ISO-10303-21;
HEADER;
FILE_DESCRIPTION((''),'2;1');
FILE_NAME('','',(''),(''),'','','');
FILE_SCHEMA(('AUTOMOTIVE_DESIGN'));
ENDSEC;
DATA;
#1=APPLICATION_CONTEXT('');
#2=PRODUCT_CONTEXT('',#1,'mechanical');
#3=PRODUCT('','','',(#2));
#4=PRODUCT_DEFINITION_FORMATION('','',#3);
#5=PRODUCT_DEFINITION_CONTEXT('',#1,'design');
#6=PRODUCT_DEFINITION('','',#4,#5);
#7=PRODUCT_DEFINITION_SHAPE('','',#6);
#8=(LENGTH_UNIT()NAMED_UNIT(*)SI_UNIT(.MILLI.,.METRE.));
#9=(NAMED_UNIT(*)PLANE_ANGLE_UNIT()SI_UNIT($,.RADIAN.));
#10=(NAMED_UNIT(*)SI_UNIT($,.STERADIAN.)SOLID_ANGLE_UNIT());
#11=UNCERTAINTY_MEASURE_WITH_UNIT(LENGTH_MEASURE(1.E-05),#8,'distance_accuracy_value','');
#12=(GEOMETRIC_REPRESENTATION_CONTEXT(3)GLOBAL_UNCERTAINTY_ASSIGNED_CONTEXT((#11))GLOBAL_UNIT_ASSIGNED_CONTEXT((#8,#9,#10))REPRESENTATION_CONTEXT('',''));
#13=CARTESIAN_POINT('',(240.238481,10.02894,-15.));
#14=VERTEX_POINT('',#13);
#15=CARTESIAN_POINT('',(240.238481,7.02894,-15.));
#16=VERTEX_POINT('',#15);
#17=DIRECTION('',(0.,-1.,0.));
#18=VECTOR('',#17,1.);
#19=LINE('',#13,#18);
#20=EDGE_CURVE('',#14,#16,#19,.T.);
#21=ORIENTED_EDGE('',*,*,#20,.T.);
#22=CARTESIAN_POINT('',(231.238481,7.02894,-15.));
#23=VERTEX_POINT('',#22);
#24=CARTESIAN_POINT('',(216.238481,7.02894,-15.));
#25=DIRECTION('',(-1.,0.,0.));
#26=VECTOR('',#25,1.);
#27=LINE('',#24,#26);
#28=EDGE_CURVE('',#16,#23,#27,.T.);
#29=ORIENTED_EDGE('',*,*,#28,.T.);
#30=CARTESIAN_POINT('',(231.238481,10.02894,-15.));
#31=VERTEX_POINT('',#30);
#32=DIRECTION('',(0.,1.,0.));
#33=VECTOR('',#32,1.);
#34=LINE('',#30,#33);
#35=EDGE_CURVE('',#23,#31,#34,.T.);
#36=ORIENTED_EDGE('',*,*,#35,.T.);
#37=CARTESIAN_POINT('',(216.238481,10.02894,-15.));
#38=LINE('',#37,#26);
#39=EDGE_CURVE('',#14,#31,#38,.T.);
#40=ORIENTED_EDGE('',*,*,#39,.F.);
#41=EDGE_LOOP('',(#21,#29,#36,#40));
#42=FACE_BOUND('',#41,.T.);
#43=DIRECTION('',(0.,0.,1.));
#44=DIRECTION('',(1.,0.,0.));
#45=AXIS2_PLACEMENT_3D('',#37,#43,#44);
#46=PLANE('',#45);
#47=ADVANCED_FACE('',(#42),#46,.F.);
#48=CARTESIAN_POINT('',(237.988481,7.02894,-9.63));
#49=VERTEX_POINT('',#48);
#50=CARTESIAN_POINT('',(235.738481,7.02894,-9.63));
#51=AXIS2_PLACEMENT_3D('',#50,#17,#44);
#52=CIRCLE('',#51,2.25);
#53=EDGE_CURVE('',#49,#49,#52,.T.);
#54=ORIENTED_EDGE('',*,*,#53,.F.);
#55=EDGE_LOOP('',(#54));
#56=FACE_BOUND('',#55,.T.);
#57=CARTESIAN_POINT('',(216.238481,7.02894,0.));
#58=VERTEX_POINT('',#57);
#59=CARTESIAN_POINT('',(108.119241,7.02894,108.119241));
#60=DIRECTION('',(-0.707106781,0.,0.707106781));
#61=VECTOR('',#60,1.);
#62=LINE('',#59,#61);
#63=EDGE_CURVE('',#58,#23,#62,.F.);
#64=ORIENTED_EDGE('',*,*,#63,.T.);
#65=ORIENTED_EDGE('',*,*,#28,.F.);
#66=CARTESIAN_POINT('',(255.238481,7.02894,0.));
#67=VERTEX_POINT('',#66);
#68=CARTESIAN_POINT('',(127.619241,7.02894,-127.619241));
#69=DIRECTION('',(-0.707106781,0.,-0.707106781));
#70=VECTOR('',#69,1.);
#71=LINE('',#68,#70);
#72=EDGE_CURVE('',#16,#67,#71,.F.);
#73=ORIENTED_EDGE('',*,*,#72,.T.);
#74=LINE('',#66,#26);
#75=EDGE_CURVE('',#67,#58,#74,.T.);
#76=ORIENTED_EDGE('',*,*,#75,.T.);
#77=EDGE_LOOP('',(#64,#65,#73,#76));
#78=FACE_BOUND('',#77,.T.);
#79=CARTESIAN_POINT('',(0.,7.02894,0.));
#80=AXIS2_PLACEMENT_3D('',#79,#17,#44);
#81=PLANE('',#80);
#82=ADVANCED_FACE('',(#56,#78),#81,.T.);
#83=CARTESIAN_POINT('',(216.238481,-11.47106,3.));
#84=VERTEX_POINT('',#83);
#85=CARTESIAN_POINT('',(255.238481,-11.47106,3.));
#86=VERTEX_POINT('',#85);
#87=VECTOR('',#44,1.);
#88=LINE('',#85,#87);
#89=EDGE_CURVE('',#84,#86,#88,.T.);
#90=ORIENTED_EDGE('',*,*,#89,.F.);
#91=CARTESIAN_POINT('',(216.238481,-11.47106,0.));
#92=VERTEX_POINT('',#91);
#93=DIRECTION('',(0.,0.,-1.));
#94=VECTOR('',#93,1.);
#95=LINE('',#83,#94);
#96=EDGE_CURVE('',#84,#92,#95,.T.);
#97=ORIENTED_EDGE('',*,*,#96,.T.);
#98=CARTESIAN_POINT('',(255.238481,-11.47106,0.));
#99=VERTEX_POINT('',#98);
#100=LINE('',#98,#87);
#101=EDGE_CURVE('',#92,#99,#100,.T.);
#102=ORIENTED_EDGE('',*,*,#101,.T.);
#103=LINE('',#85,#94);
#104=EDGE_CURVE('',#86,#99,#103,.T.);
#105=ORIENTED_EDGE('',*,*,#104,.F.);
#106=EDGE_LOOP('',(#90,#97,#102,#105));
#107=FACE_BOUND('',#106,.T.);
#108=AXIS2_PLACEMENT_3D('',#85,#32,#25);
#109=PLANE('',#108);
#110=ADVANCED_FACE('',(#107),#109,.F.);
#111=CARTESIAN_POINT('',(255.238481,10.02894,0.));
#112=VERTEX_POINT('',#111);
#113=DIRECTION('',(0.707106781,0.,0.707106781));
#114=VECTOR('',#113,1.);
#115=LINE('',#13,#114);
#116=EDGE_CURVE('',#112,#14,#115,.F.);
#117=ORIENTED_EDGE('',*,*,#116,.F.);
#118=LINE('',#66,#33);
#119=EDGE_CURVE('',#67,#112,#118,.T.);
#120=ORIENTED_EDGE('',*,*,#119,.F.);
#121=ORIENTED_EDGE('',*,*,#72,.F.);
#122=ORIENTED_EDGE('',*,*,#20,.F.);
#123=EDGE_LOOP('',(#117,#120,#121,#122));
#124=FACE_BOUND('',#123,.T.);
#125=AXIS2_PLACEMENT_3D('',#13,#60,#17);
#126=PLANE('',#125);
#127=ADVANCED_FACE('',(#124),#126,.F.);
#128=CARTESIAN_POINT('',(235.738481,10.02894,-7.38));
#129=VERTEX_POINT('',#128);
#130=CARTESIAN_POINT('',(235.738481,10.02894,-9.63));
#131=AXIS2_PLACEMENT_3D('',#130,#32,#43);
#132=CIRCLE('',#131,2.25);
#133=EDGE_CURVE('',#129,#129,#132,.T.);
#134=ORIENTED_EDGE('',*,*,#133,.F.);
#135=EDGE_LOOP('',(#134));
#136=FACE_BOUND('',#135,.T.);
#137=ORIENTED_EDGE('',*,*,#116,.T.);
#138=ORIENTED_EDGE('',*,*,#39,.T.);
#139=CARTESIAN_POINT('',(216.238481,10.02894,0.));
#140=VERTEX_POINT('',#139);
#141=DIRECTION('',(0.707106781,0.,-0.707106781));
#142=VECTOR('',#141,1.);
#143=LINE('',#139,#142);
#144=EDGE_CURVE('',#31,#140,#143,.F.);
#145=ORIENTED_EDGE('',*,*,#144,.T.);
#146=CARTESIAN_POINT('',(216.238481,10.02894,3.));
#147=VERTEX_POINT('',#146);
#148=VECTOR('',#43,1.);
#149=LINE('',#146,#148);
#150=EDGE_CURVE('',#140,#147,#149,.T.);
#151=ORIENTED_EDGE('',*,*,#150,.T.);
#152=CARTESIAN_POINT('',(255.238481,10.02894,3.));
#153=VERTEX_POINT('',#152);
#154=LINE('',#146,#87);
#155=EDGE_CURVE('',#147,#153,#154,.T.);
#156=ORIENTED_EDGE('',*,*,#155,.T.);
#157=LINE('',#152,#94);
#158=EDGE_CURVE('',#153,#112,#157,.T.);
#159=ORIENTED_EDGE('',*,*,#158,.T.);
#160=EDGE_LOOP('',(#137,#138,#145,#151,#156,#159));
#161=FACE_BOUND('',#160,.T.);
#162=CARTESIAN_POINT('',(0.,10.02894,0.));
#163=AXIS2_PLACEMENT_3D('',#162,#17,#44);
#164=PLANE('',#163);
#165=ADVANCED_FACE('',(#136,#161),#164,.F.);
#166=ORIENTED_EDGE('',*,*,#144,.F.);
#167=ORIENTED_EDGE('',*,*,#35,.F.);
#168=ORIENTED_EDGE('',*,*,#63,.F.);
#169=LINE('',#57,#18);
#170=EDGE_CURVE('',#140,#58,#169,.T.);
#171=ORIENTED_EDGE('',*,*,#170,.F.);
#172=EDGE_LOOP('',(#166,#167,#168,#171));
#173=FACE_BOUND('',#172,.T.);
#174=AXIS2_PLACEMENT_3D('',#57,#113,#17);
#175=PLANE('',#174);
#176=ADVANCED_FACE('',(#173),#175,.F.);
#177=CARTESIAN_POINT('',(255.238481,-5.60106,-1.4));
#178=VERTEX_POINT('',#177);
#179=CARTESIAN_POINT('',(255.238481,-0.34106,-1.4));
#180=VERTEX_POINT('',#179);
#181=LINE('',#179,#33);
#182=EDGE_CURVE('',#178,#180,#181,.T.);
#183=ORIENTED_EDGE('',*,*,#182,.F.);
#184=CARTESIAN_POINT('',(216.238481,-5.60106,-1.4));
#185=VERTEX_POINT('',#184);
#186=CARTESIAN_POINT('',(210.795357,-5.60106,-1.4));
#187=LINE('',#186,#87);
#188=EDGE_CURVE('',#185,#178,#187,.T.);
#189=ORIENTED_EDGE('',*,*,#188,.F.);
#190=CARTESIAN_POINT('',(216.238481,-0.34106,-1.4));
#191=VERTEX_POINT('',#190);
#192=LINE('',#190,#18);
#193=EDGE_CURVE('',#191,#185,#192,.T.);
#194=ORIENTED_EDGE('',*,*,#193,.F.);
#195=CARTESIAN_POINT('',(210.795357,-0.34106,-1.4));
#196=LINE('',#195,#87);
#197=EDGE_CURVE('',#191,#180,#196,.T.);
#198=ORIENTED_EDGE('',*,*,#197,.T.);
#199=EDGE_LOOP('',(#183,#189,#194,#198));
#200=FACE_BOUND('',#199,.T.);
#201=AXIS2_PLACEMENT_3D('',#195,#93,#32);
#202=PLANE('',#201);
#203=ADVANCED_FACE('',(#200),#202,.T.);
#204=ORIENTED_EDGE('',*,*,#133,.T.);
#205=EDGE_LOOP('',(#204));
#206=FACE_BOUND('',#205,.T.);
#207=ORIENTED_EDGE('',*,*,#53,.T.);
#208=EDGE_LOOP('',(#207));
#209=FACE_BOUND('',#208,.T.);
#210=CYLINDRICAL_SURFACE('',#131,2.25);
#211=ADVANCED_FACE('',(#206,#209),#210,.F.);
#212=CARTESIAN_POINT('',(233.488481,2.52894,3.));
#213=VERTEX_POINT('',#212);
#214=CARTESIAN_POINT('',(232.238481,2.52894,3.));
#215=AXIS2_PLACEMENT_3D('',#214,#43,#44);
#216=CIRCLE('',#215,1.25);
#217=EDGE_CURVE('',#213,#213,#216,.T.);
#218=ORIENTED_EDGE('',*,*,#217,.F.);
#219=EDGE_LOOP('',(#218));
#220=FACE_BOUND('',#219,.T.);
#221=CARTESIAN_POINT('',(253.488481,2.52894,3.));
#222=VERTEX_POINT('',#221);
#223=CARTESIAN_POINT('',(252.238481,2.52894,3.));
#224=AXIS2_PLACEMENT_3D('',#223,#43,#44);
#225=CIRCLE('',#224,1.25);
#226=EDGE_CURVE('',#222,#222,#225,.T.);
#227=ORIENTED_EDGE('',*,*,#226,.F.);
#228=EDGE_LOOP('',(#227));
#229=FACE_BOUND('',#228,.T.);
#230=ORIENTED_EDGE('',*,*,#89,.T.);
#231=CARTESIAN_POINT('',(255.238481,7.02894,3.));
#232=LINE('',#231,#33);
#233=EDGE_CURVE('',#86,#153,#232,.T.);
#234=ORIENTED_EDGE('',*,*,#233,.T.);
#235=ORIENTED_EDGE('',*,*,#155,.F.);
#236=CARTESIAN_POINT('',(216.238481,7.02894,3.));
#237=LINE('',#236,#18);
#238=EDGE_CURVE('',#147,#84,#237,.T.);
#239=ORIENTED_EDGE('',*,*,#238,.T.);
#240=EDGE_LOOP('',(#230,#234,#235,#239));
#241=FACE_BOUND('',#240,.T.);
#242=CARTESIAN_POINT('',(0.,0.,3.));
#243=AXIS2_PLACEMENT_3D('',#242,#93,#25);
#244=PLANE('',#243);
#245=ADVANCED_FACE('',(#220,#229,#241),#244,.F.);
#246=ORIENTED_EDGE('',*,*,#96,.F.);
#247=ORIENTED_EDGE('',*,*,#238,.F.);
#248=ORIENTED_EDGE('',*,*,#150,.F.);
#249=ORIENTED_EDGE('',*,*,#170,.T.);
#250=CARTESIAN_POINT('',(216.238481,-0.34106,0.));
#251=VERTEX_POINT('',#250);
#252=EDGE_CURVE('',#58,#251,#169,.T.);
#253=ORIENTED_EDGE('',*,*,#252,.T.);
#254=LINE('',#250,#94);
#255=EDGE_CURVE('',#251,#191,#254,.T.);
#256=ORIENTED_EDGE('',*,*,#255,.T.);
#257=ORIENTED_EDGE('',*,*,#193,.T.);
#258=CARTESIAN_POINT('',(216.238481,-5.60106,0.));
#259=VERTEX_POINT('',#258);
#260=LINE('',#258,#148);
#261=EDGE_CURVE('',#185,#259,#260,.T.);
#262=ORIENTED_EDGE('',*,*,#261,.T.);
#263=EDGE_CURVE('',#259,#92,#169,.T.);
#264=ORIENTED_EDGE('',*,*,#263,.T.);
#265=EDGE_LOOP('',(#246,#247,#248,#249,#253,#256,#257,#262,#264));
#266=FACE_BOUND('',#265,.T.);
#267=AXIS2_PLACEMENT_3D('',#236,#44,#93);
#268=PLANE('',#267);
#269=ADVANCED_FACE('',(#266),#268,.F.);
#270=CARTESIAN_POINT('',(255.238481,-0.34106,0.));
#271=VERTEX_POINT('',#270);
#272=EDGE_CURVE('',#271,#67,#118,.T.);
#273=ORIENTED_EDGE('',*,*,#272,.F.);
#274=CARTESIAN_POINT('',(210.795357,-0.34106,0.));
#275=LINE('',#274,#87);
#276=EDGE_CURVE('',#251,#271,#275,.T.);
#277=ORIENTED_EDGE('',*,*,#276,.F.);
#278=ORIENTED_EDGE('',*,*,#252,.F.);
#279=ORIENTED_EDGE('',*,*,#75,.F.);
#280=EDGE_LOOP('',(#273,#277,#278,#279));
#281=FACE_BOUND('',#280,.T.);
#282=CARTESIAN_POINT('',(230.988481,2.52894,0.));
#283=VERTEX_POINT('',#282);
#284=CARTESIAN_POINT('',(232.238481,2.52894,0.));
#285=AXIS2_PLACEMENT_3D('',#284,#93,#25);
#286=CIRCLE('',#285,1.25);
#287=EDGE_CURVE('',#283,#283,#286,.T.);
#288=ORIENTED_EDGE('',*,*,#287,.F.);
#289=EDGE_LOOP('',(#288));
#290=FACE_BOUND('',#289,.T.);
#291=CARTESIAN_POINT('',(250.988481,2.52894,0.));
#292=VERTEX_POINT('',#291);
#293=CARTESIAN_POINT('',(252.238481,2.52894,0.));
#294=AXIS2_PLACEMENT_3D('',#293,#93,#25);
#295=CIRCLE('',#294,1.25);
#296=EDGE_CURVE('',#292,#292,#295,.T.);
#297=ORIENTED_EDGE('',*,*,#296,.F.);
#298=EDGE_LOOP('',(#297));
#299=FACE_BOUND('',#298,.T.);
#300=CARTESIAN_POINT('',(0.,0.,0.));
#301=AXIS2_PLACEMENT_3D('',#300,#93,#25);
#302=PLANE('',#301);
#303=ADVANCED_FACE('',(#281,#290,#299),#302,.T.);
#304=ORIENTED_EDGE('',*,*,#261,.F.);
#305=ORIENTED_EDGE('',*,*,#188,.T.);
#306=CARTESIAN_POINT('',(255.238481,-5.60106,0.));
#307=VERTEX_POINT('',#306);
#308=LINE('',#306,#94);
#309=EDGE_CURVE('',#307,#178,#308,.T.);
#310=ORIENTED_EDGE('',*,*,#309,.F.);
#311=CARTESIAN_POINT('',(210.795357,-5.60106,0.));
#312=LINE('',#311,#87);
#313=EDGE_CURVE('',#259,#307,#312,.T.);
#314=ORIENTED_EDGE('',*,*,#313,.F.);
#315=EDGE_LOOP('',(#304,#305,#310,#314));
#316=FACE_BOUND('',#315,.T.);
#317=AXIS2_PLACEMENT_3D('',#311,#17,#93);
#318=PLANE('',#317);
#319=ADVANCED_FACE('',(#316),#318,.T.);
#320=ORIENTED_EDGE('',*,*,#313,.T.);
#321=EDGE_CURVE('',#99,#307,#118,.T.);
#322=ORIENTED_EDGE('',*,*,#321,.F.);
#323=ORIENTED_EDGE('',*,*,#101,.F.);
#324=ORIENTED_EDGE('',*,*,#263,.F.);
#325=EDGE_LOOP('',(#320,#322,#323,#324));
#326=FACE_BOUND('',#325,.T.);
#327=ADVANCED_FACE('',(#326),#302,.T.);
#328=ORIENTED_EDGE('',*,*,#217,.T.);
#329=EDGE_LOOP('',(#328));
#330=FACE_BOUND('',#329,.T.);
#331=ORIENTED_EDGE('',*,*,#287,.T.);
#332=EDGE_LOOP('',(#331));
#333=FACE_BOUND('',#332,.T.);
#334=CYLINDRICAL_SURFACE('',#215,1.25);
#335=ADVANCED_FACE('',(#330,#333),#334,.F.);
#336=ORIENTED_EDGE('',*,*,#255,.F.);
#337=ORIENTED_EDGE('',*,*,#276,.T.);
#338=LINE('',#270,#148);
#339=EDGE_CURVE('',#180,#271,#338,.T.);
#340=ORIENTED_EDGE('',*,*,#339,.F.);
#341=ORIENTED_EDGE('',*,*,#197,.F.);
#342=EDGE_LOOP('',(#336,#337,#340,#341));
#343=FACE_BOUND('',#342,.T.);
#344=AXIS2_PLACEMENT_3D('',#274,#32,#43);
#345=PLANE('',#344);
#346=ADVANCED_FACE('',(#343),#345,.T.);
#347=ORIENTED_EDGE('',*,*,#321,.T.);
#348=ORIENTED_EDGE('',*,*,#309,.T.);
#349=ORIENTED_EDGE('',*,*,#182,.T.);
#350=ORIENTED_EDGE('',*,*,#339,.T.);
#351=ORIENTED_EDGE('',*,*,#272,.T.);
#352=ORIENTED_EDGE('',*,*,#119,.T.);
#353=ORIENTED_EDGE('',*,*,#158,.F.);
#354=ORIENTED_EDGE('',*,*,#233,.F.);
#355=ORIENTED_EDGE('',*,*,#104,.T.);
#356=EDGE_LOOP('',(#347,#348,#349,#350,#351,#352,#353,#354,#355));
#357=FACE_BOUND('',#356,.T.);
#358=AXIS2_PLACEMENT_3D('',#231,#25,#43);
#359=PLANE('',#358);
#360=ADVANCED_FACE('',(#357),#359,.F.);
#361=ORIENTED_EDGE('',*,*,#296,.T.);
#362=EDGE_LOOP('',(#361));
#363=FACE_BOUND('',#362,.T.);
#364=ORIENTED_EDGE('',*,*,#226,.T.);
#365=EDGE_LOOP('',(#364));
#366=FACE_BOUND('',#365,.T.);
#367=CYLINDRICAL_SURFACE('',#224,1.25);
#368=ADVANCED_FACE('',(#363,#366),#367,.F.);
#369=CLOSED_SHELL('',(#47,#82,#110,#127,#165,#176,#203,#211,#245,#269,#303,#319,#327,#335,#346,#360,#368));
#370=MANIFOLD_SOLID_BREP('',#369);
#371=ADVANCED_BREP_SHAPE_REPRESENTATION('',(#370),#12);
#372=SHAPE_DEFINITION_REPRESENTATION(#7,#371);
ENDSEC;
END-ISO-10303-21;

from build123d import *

# Parameters (mm, degrees)
ESQUISSE1_W                                   = 39
ESQUISSE1_H                                   = 18.5
BOSS_EXTRU_1_DEPTH                            = 3
ESQUISSE4_W                                   = 1.4
ESQUISSE4_H                                   = 5.26
BOSS_EXTRU_2_DEPTH                            = 39
TROU_POUR_TARAUDAGE_POUR_TROU_TARAUD_M3_D     = 2.5
TROU_POUR_TARAUDAGE_POUR_TROU_TARAUD_M3_DEPTH = 16
ESQUISSE7_W                                   = 39
ESQUISSE7_H                                   = 18
BOSS_EXTRU_3_DEPTH                            = 3
CHANFREIN1_SIZE                               = 15
D_GAGEMENT_M42_D                              = 4.5
D_GAGEMENT_M42_DEPTH                          = 16


with BuildPart() as part:
    # Esquisse1 → Boss.-Extru.1 (new body)
    with BuildSketch(Plane.XY):
        with Locations((235.738481082, -2.221059771)):
            Rectangle(ESQUISSE1_W, ESQUISSE1_H)
    extrude(amount=BOSS_EXTRU_1_DEPTH)

    # Esquisse4 → Boss.-Extru.2 (add)
    with BuildSketch(Plane(origin=(255.238481082, 0, 0), x_dir=(0, 0, -1), z_dir=(1, 0, 0))):
        with Locations((0.7, -2.971059771)):
            Rectangle(ESQUISSE4_W, ESQUISSE4_H)
    extrude(amount=-BOSS_EXTRU_2_DEPTH)

    # Trou pour taraudage pour trou taraudé M31
    with Locations(Plane.XY.offset(3)):
        with Locations((232.238481082, 2.528940229), (252.238481082, 2.528940229)):
            Hole(TROU_POUR_TARAUDAGE_POUR_TROU_TARAUD_M3_D / 2, depth=TROU_POUR_TARAUDAGE_POUR_TROU_TARAUD_M3_DEPTH)

    # Esquisse7 → Boss.-Extru.3 (add)
    with BuildSketch(Plane(origin=(0, 7.028940229, 0), x_dir=(1, 0, 0), z_dir=(0, 1, 0))):
        with Locations((235.738481082, 6)):
            Rectangle(ESQUISSE7_W, ESQUISSE7_H)
    extrude(amount=BOSS_EXTRU_3_DEPTH)

    # Chanfrein1
    chanfrein1_edges = [part.edges().sort_by_distance(p)[0] for p in [
        (216.238481082, 8.528940229, -15),
        (255.238481082, 8.528940229, -15),
    ]]
    chamfer(chanfrein1_edges, length=CHANFREIN1_SIZE)

    # Dégagement M42
    with Locations(Plane(origin=(0, 10.028940229, 0), x_dir=(1, 0, 0), z_dir=(0, 1, 0))):
        with Locations((235.738481082, 9.63)):
            Hole(D_GAGEMENT_M42_D / 2, depth=D_GAGEMENT_M42_DEPTH)


solid = part.part
